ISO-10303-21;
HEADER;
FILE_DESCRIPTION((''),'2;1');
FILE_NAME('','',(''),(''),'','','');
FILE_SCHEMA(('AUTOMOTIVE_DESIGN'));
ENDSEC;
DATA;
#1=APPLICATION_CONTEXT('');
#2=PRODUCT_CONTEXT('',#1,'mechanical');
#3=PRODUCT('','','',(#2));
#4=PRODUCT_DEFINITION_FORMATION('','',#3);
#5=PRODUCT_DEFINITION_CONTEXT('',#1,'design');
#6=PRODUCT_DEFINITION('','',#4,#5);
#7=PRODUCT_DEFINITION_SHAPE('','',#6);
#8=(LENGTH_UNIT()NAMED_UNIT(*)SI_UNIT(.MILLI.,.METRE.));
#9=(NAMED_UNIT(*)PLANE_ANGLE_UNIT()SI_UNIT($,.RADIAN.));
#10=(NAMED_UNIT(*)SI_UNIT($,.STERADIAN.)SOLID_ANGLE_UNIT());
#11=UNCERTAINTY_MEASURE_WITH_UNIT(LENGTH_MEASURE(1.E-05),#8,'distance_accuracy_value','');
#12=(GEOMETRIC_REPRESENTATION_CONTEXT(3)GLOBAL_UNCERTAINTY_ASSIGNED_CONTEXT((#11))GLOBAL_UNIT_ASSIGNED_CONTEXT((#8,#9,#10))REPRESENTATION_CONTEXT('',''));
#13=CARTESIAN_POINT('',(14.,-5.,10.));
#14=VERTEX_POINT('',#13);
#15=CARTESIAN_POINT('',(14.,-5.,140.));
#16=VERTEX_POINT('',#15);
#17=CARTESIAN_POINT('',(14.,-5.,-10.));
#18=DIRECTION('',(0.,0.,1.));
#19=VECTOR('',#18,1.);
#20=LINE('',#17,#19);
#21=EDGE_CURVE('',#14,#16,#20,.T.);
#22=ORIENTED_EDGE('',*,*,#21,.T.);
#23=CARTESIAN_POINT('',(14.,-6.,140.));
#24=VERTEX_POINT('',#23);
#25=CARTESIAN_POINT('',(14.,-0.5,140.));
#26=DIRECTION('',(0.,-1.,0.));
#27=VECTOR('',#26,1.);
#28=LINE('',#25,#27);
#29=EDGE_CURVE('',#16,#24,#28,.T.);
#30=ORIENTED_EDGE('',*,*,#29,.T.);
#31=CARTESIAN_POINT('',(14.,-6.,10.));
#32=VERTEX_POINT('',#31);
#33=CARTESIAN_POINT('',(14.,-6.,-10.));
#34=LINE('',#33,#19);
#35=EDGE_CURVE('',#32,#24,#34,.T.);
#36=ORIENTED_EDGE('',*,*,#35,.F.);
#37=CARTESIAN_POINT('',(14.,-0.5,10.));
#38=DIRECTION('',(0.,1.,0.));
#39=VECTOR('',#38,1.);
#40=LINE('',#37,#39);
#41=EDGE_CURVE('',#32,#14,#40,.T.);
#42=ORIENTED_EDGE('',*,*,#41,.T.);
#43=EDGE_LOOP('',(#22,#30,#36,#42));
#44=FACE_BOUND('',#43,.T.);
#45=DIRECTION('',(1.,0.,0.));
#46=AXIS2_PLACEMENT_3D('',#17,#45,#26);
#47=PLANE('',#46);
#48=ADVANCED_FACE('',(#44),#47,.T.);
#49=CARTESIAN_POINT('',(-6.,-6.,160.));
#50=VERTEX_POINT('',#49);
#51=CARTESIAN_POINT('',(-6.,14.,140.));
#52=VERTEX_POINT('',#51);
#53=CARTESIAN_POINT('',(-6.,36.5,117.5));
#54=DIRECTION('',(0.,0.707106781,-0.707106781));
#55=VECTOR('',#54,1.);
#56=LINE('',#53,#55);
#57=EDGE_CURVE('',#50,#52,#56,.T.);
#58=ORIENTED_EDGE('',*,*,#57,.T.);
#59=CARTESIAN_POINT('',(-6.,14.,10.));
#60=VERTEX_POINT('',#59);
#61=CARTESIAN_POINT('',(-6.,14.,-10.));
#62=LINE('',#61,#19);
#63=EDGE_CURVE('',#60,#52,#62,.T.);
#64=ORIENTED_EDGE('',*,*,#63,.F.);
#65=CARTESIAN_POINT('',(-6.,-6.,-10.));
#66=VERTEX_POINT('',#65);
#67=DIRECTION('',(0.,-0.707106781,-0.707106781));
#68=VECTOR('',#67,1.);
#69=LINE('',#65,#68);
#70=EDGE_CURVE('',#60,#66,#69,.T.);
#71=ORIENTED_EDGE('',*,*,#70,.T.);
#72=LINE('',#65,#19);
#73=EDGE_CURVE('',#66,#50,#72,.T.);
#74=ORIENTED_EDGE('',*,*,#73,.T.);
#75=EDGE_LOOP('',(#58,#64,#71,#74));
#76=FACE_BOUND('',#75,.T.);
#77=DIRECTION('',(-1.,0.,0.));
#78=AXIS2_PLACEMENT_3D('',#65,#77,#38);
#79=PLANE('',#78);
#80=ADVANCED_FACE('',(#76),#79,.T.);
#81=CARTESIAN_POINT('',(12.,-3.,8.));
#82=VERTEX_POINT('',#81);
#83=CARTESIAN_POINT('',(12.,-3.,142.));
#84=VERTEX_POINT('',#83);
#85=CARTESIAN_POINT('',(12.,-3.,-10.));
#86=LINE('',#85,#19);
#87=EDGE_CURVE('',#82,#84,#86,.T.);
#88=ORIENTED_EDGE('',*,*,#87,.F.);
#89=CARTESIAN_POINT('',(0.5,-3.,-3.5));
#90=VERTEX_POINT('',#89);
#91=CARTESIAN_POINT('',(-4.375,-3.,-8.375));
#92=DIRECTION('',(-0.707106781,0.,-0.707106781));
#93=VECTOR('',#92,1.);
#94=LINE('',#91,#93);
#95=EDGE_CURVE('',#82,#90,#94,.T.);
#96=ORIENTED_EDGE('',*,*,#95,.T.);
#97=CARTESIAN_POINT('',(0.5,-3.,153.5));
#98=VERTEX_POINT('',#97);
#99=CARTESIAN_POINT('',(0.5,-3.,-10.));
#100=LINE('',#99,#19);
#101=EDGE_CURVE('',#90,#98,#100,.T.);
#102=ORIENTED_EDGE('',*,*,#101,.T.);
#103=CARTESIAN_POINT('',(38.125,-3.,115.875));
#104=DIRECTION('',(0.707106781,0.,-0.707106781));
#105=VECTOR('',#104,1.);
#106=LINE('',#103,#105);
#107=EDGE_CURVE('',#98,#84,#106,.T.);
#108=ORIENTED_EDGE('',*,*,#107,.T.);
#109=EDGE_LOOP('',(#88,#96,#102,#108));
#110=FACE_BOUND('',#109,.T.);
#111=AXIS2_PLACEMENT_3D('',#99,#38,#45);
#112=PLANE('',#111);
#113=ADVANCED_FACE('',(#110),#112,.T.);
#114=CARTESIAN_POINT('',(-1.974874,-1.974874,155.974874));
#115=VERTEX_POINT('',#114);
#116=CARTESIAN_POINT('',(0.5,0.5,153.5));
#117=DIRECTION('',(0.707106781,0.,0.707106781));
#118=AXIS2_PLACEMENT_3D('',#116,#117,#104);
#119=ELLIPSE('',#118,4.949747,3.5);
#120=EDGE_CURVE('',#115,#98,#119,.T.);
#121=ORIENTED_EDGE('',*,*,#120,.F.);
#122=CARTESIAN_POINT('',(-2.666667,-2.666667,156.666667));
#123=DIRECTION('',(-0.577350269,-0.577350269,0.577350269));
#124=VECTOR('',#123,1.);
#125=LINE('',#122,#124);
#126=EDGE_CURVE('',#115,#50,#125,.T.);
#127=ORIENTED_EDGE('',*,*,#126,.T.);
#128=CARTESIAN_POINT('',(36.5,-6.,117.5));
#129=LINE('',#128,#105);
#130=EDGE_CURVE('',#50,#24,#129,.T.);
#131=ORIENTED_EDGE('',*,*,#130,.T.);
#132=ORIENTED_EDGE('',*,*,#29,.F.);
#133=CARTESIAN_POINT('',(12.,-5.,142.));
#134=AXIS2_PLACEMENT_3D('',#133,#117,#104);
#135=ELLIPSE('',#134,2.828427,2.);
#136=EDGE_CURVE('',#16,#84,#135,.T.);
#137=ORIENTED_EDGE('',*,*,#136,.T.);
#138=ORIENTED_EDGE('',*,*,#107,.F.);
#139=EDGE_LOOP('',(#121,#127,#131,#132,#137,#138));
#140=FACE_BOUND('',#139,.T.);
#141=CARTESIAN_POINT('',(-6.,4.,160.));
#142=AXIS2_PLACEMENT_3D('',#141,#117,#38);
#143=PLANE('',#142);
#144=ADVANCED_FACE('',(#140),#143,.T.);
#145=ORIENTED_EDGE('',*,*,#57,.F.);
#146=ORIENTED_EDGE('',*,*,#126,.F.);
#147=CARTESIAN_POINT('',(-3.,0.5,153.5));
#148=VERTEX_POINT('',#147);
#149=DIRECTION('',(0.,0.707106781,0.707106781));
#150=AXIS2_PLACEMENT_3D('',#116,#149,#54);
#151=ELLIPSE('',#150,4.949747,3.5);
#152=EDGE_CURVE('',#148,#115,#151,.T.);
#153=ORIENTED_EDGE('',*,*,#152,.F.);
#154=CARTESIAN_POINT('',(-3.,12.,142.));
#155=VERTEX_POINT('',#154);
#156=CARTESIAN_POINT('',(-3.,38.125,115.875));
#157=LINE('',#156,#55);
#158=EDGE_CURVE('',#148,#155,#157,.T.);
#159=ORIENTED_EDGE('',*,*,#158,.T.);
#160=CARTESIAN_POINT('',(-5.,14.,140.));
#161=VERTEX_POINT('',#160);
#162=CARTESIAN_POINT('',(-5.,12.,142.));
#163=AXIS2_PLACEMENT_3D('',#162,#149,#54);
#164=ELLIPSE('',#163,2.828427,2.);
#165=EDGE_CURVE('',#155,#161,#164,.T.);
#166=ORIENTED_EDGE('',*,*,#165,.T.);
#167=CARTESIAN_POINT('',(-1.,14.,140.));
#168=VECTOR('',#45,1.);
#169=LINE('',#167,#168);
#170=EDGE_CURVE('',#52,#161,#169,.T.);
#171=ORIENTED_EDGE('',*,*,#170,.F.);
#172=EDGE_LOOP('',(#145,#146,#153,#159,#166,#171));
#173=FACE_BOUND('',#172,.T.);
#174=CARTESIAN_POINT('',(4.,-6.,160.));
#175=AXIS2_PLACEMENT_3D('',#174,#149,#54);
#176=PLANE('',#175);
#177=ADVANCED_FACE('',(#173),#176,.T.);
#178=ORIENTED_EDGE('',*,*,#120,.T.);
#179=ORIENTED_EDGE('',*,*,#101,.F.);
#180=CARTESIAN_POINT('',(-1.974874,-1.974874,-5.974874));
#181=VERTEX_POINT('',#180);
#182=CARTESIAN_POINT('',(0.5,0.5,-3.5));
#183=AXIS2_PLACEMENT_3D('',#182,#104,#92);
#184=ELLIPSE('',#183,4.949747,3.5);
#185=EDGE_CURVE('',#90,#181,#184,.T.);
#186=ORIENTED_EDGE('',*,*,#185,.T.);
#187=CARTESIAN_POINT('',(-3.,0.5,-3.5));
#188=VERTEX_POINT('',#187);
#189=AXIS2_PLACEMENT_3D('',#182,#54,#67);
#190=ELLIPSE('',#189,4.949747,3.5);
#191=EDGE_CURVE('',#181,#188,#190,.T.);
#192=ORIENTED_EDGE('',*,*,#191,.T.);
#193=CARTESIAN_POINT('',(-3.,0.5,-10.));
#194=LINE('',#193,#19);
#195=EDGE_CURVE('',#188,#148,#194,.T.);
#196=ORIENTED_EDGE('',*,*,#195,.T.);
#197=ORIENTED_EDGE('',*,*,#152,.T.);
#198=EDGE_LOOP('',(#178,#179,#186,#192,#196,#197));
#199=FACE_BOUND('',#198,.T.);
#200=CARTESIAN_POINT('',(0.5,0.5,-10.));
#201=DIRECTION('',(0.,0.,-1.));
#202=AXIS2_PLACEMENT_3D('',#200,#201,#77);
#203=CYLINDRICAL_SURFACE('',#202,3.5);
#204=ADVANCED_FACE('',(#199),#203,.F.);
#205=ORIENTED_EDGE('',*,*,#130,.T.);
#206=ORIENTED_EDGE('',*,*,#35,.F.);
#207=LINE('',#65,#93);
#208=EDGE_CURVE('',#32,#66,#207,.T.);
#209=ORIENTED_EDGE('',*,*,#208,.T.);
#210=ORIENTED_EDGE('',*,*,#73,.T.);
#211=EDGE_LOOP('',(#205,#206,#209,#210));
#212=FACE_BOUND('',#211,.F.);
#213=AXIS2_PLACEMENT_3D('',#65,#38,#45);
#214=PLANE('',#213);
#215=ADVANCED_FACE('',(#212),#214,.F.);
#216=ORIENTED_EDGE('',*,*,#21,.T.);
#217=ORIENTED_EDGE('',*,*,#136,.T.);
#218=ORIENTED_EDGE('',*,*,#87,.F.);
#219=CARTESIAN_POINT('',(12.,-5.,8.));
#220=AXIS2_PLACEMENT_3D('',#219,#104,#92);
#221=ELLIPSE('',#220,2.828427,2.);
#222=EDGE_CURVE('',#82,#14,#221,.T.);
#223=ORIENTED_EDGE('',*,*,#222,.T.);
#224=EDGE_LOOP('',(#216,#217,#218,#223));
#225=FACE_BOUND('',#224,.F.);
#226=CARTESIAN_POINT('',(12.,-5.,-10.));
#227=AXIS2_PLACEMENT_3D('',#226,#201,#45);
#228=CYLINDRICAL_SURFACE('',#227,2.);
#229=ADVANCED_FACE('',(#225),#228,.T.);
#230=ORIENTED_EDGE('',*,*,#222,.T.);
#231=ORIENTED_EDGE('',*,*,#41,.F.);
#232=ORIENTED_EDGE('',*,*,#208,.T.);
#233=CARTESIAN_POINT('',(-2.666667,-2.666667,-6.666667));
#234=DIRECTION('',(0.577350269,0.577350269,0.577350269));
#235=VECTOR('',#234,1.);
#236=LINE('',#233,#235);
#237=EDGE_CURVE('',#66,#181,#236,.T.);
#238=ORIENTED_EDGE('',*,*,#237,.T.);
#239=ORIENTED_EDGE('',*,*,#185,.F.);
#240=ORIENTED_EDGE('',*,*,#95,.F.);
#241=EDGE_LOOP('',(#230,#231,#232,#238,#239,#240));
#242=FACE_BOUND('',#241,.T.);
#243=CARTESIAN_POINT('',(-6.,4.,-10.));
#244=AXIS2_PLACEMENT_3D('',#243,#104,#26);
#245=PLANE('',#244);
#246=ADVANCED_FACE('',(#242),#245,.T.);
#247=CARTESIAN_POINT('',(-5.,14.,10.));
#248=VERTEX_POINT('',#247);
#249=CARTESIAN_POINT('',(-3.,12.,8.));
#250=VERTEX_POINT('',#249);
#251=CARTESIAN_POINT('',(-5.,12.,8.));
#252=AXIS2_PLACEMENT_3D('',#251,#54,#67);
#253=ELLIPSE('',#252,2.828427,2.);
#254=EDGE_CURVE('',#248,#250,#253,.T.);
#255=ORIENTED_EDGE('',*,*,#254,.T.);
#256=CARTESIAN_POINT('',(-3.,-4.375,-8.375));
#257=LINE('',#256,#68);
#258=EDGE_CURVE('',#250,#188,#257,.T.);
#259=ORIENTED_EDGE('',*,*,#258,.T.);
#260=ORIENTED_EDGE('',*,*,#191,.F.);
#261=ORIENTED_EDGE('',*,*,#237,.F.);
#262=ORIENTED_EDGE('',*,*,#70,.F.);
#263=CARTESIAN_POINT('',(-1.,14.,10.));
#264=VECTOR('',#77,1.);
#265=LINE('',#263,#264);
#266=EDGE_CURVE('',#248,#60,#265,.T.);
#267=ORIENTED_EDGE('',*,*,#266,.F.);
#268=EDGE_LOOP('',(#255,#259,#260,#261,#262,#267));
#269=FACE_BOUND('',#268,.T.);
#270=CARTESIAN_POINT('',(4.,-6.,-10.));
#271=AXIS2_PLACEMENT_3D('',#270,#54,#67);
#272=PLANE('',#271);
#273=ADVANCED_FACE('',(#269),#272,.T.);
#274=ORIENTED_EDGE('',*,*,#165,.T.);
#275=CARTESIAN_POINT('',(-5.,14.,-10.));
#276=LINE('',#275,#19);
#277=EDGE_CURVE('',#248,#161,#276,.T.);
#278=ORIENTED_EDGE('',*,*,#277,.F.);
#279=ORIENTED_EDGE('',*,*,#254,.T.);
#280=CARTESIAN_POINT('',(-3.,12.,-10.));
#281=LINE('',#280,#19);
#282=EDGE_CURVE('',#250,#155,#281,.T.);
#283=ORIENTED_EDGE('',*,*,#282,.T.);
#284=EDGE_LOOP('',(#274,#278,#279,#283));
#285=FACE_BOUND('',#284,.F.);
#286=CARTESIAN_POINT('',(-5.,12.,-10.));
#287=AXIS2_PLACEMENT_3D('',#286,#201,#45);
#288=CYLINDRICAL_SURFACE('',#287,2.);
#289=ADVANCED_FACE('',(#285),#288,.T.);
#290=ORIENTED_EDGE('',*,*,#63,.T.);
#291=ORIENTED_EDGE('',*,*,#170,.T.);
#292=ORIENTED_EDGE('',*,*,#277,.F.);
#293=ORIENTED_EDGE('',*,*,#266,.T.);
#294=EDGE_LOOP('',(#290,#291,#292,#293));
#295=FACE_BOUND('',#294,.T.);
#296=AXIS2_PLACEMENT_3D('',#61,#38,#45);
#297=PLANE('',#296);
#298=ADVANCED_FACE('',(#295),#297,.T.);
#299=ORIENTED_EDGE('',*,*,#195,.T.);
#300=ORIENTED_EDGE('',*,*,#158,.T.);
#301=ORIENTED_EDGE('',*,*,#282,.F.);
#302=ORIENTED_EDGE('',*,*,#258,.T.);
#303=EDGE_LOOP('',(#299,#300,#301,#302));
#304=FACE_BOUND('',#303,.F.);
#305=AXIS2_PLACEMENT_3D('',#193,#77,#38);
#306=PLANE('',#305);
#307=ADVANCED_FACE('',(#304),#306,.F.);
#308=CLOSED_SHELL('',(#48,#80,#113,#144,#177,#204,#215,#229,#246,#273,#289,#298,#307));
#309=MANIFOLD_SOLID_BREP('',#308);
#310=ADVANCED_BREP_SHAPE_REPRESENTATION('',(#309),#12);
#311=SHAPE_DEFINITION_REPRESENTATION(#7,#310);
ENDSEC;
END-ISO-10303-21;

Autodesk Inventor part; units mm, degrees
ref_plane "Start plane" through (0, 0, -10) normal (0, 0, 1) x (1, 0, 0)
ref_plane "End plane" through (0, 0, 160) normal (0, 0, 1) x (1, 0, 0)
sketch "Sketch" plane through (0, 0, 0) normal (0, 0, 1) x (1, 0, 0)
  line L0 (-3, 0.5) -> (-3, 12)
  line L1 (-6, 14) -> (-5, 14)
  line L2 (-6, -6) -> (-6, 14)
  line L3 (-6, -6) -> (14, -6)
  line L4 (14, -5) -> (14, -6)
  line L5 (0.5, -3) -> (12, -3)
  arc A0 (-3, 0.5) -> (0.5, -3) centre (0.5, 0.5) ccw
  arc A1 (-3, 12) -> (-5, 14) centre (-5, 12) ccw
  arc A2 (14, -5) -> (12, -3) centre (12, -5) ccw
  line L6 (0, 18.4971) -> (0, -10.0828) construction
  line L7 (-10.0828, 0) -> (18.4971, 0) construction
  point P0 (-3, -3)
  point P1 (-3, 14)
  point P2 (14, -3)
  dimension "d4" = 20
  dimension "d6" = 20
  dimension "d8" = 3
  dimension "d10" = 3
  dimension "d17" = 3.5
  dimension "d18" = 2
  dimension "d19" = 6
  dimension "d20" = 6
extrude "Body" add sketch "Sketch" along normal up to surface (170 mm away) from surface at -10
sketch "Sketch3" plane through (0, 0, 0) normal (0, 0, 1) x (1, 0, 0)
  line L0 (0, 0) -> (10, 0)
ref_plane "Work Plane10" through (0, 0, 0) normal (0, -1, 0) x (1, 0, 0)
sketch "Sketch4" plane through (0, 0, 0) normal (0, -1, 0) x (1, 0, 0)
  line L0 (-2, -10) -> (12, -10)
  line L1 (-2, 160) -> (12, 160)
  dimension "d24" = 170
ref_plane "Work Plane11" through (-6, 4, 160) normal (0.7071, 0, 0.7071) x (0.7071, 0, -0.7071)
split "Split1" plane through (-6, 4, 160) removes the side toward (0.7071, 0, 0.7071)
ref_plane "Work Plane12" through (-6, 4, -10) normal (0.7071, 0, -0.7071) x (-0.7071, 0, -0.7071)
split "Split2" plane through (-6, 4, -10) removes the side toward (0.7071, 0, -0.7071)
ref_plane "Work Plane13" through (4, -6, -10) normal (0, 0.7071, -0.7071) x (1, 0, 0)
split "Split3" plane through (4, -6, -10) removes the side toward (0, 0.7071, -0.7071)
ref_plane "Work Plane14" through (4, -6, 160) normal (0, 0.7071, 0.7071) x (1, 0, 0)
split "Split4" plane through (4, -6, 160) removes the side toward (0, 0.7071, 0.7071)
equation "\"d4\" = b"
equation "\"d6\" = b"
equation "\"d8\" = ParT"
equation "\"d10\" = ParT"
equation "\"d17\" = R"
equation "\"d18\" = R1"
equation "\"d19\" = ex"
equation "\"d20\" = d19"
equation "\"d11\" = G_L"
equation "\"b\" = 20"
equation "\"ParT\" = 3"
equation "\"R\" = 3.5"
equation "\"R1\" = 2"
equation "\"G_L\" = d24"
equation "\"ex\" = 6"
equation "\"G_OFFSET_START\" = 10"
equation "\"G_OFFSET_END\" = 10"
equation "\"d21\" = -G_OFFSET_START"
equation "\"d22\" = G_OFFSET_END + B_L"
equation "\"B_L\" = 150"
properties part number "ISO 657-1 - L20x20x3-170" material "Stainless Steel"
